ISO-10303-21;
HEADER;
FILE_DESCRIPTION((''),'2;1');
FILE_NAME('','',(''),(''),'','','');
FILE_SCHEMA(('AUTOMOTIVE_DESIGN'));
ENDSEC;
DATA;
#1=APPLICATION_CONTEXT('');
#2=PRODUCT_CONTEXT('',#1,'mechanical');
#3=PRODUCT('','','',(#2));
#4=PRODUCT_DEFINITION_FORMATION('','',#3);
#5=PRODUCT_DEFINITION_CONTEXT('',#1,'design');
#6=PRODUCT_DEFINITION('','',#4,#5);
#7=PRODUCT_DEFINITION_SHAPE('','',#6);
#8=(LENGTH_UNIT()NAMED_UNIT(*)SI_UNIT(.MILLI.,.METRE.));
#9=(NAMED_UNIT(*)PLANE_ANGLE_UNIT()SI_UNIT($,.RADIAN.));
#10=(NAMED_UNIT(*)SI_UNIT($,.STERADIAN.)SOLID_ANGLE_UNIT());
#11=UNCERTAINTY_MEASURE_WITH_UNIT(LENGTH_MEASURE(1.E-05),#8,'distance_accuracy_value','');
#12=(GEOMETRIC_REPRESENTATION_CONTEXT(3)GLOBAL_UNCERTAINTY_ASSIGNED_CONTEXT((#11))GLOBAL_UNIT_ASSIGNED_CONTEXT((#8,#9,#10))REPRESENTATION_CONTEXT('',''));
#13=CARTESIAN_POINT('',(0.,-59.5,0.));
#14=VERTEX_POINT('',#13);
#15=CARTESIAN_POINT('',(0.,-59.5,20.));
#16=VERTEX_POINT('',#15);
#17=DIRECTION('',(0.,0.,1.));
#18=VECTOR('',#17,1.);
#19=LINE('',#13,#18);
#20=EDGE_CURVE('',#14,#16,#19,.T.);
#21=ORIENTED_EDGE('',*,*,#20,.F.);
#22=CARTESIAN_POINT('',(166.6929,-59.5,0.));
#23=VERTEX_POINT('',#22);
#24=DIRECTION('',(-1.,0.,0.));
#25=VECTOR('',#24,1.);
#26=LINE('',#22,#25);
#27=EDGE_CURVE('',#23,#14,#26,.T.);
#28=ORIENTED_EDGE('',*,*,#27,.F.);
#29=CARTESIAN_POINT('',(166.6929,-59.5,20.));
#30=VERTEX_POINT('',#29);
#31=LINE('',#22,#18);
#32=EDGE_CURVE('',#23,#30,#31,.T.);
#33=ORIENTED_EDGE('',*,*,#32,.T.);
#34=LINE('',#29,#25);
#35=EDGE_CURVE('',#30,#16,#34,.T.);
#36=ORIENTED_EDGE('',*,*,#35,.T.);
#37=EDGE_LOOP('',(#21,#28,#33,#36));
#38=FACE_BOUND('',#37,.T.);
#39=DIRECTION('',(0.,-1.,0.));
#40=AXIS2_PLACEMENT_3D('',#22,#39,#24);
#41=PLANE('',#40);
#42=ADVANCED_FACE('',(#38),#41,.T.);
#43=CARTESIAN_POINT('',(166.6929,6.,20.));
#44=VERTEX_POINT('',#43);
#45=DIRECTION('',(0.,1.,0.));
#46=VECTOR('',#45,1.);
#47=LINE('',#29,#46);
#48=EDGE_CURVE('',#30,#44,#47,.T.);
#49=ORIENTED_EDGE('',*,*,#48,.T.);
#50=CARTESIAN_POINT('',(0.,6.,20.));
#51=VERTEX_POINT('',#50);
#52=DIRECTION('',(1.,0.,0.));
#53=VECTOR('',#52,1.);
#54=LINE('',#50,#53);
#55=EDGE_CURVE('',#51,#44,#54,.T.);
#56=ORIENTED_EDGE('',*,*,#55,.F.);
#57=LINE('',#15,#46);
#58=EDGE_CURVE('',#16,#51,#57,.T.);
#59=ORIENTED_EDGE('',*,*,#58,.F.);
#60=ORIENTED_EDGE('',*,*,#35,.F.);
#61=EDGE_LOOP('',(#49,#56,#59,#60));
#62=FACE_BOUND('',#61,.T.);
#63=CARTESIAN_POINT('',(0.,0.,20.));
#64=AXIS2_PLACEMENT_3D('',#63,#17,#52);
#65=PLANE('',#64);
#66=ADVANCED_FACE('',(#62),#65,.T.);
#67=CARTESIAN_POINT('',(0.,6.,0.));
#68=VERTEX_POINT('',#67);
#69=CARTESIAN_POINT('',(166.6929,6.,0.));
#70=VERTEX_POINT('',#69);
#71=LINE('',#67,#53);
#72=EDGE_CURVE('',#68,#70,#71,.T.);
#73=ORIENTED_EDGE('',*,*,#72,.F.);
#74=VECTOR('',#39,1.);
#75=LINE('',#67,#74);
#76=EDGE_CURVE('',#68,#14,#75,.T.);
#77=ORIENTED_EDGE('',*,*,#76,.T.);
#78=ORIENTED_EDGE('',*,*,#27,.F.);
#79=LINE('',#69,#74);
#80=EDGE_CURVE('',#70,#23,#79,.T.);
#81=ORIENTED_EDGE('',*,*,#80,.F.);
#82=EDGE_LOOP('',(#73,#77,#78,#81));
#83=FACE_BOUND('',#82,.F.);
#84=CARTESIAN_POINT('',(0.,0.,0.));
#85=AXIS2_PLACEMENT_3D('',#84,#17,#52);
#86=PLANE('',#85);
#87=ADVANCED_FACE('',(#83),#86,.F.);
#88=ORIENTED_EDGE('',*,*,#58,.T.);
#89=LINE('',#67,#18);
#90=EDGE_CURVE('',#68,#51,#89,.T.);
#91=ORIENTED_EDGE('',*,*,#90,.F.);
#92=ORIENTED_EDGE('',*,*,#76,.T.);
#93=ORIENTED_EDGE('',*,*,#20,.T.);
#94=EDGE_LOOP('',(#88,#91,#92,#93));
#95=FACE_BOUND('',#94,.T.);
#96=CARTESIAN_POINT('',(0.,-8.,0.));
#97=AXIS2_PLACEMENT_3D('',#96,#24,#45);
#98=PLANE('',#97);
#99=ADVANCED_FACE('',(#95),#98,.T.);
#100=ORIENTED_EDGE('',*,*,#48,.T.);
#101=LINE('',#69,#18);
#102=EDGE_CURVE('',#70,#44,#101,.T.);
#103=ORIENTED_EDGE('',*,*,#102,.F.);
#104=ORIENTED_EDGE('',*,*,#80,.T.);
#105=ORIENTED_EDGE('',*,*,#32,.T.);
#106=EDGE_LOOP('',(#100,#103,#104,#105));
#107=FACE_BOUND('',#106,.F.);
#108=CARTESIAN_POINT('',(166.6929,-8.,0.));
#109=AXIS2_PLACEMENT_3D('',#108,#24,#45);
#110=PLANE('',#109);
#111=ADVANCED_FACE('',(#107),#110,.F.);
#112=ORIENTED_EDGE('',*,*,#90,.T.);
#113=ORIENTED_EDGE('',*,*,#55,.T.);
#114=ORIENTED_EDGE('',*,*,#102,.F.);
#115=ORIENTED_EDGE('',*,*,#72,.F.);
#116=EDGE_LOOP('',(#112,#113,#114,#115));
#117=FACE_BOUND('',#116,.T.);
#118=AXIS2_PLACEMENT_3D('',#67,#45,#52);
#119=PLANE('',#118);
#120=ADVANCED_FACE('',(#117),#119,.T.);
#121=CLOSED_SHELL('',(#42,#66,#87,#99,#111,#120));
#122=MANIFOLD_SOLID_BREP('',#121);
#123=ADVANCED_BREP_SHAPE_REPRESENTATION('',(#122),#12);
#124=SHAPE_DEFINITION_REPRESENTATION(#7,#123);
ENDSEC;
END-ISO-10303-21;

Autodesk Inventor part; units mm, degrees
ref_plane "YZ Plane" through (0, 0, 0) normal (1, 0, 0) x (0, 1, 0)
ref_plane "XZ Plane" through (0, 0, 0) normal (0, 1, 0) x (-1, 0, 0)
ref_plane "XY Plane" through (0, 0, 0) normal (0, 0, 1) x (1, 0, 0)
sketch "Sketch1" plane through (0, 0, 0) normal (0, 0, 1) x (1, 0, 0)
  line L0 (166.6929, -8) -> (166.6929, 6) projected
  line L1 (0, 6) -> (166.6929, 6) projected
  line L2 (0, -8) -> (0, 6) projected
  line L3 (166.6929, -8) -> (0, -8) projected
  line L4 (0, -45.5) -> (0, -59.5) projected
  line L5 (166.6929, -59.5) -> (0, -59.5) projected
  line L6 (166.6929, -45.5) -> (166.6929, -59.5) projected
  line L7 (0, -45.5) -> (166.6929, -45.5) projected
  line L8 (0, 6) -> (166.6929, 6)
  line L9 (166.6929, 6) -> (166.6929, -59.5)
  line L10 (166.6929, -59.5) -> (0, -59.5)
  line L11 (0, -59.5) -> (0, 6)
  point P0 (0, 0)
extrude "Extrusion1" add sketch "Sketch1" along normal blind 20
